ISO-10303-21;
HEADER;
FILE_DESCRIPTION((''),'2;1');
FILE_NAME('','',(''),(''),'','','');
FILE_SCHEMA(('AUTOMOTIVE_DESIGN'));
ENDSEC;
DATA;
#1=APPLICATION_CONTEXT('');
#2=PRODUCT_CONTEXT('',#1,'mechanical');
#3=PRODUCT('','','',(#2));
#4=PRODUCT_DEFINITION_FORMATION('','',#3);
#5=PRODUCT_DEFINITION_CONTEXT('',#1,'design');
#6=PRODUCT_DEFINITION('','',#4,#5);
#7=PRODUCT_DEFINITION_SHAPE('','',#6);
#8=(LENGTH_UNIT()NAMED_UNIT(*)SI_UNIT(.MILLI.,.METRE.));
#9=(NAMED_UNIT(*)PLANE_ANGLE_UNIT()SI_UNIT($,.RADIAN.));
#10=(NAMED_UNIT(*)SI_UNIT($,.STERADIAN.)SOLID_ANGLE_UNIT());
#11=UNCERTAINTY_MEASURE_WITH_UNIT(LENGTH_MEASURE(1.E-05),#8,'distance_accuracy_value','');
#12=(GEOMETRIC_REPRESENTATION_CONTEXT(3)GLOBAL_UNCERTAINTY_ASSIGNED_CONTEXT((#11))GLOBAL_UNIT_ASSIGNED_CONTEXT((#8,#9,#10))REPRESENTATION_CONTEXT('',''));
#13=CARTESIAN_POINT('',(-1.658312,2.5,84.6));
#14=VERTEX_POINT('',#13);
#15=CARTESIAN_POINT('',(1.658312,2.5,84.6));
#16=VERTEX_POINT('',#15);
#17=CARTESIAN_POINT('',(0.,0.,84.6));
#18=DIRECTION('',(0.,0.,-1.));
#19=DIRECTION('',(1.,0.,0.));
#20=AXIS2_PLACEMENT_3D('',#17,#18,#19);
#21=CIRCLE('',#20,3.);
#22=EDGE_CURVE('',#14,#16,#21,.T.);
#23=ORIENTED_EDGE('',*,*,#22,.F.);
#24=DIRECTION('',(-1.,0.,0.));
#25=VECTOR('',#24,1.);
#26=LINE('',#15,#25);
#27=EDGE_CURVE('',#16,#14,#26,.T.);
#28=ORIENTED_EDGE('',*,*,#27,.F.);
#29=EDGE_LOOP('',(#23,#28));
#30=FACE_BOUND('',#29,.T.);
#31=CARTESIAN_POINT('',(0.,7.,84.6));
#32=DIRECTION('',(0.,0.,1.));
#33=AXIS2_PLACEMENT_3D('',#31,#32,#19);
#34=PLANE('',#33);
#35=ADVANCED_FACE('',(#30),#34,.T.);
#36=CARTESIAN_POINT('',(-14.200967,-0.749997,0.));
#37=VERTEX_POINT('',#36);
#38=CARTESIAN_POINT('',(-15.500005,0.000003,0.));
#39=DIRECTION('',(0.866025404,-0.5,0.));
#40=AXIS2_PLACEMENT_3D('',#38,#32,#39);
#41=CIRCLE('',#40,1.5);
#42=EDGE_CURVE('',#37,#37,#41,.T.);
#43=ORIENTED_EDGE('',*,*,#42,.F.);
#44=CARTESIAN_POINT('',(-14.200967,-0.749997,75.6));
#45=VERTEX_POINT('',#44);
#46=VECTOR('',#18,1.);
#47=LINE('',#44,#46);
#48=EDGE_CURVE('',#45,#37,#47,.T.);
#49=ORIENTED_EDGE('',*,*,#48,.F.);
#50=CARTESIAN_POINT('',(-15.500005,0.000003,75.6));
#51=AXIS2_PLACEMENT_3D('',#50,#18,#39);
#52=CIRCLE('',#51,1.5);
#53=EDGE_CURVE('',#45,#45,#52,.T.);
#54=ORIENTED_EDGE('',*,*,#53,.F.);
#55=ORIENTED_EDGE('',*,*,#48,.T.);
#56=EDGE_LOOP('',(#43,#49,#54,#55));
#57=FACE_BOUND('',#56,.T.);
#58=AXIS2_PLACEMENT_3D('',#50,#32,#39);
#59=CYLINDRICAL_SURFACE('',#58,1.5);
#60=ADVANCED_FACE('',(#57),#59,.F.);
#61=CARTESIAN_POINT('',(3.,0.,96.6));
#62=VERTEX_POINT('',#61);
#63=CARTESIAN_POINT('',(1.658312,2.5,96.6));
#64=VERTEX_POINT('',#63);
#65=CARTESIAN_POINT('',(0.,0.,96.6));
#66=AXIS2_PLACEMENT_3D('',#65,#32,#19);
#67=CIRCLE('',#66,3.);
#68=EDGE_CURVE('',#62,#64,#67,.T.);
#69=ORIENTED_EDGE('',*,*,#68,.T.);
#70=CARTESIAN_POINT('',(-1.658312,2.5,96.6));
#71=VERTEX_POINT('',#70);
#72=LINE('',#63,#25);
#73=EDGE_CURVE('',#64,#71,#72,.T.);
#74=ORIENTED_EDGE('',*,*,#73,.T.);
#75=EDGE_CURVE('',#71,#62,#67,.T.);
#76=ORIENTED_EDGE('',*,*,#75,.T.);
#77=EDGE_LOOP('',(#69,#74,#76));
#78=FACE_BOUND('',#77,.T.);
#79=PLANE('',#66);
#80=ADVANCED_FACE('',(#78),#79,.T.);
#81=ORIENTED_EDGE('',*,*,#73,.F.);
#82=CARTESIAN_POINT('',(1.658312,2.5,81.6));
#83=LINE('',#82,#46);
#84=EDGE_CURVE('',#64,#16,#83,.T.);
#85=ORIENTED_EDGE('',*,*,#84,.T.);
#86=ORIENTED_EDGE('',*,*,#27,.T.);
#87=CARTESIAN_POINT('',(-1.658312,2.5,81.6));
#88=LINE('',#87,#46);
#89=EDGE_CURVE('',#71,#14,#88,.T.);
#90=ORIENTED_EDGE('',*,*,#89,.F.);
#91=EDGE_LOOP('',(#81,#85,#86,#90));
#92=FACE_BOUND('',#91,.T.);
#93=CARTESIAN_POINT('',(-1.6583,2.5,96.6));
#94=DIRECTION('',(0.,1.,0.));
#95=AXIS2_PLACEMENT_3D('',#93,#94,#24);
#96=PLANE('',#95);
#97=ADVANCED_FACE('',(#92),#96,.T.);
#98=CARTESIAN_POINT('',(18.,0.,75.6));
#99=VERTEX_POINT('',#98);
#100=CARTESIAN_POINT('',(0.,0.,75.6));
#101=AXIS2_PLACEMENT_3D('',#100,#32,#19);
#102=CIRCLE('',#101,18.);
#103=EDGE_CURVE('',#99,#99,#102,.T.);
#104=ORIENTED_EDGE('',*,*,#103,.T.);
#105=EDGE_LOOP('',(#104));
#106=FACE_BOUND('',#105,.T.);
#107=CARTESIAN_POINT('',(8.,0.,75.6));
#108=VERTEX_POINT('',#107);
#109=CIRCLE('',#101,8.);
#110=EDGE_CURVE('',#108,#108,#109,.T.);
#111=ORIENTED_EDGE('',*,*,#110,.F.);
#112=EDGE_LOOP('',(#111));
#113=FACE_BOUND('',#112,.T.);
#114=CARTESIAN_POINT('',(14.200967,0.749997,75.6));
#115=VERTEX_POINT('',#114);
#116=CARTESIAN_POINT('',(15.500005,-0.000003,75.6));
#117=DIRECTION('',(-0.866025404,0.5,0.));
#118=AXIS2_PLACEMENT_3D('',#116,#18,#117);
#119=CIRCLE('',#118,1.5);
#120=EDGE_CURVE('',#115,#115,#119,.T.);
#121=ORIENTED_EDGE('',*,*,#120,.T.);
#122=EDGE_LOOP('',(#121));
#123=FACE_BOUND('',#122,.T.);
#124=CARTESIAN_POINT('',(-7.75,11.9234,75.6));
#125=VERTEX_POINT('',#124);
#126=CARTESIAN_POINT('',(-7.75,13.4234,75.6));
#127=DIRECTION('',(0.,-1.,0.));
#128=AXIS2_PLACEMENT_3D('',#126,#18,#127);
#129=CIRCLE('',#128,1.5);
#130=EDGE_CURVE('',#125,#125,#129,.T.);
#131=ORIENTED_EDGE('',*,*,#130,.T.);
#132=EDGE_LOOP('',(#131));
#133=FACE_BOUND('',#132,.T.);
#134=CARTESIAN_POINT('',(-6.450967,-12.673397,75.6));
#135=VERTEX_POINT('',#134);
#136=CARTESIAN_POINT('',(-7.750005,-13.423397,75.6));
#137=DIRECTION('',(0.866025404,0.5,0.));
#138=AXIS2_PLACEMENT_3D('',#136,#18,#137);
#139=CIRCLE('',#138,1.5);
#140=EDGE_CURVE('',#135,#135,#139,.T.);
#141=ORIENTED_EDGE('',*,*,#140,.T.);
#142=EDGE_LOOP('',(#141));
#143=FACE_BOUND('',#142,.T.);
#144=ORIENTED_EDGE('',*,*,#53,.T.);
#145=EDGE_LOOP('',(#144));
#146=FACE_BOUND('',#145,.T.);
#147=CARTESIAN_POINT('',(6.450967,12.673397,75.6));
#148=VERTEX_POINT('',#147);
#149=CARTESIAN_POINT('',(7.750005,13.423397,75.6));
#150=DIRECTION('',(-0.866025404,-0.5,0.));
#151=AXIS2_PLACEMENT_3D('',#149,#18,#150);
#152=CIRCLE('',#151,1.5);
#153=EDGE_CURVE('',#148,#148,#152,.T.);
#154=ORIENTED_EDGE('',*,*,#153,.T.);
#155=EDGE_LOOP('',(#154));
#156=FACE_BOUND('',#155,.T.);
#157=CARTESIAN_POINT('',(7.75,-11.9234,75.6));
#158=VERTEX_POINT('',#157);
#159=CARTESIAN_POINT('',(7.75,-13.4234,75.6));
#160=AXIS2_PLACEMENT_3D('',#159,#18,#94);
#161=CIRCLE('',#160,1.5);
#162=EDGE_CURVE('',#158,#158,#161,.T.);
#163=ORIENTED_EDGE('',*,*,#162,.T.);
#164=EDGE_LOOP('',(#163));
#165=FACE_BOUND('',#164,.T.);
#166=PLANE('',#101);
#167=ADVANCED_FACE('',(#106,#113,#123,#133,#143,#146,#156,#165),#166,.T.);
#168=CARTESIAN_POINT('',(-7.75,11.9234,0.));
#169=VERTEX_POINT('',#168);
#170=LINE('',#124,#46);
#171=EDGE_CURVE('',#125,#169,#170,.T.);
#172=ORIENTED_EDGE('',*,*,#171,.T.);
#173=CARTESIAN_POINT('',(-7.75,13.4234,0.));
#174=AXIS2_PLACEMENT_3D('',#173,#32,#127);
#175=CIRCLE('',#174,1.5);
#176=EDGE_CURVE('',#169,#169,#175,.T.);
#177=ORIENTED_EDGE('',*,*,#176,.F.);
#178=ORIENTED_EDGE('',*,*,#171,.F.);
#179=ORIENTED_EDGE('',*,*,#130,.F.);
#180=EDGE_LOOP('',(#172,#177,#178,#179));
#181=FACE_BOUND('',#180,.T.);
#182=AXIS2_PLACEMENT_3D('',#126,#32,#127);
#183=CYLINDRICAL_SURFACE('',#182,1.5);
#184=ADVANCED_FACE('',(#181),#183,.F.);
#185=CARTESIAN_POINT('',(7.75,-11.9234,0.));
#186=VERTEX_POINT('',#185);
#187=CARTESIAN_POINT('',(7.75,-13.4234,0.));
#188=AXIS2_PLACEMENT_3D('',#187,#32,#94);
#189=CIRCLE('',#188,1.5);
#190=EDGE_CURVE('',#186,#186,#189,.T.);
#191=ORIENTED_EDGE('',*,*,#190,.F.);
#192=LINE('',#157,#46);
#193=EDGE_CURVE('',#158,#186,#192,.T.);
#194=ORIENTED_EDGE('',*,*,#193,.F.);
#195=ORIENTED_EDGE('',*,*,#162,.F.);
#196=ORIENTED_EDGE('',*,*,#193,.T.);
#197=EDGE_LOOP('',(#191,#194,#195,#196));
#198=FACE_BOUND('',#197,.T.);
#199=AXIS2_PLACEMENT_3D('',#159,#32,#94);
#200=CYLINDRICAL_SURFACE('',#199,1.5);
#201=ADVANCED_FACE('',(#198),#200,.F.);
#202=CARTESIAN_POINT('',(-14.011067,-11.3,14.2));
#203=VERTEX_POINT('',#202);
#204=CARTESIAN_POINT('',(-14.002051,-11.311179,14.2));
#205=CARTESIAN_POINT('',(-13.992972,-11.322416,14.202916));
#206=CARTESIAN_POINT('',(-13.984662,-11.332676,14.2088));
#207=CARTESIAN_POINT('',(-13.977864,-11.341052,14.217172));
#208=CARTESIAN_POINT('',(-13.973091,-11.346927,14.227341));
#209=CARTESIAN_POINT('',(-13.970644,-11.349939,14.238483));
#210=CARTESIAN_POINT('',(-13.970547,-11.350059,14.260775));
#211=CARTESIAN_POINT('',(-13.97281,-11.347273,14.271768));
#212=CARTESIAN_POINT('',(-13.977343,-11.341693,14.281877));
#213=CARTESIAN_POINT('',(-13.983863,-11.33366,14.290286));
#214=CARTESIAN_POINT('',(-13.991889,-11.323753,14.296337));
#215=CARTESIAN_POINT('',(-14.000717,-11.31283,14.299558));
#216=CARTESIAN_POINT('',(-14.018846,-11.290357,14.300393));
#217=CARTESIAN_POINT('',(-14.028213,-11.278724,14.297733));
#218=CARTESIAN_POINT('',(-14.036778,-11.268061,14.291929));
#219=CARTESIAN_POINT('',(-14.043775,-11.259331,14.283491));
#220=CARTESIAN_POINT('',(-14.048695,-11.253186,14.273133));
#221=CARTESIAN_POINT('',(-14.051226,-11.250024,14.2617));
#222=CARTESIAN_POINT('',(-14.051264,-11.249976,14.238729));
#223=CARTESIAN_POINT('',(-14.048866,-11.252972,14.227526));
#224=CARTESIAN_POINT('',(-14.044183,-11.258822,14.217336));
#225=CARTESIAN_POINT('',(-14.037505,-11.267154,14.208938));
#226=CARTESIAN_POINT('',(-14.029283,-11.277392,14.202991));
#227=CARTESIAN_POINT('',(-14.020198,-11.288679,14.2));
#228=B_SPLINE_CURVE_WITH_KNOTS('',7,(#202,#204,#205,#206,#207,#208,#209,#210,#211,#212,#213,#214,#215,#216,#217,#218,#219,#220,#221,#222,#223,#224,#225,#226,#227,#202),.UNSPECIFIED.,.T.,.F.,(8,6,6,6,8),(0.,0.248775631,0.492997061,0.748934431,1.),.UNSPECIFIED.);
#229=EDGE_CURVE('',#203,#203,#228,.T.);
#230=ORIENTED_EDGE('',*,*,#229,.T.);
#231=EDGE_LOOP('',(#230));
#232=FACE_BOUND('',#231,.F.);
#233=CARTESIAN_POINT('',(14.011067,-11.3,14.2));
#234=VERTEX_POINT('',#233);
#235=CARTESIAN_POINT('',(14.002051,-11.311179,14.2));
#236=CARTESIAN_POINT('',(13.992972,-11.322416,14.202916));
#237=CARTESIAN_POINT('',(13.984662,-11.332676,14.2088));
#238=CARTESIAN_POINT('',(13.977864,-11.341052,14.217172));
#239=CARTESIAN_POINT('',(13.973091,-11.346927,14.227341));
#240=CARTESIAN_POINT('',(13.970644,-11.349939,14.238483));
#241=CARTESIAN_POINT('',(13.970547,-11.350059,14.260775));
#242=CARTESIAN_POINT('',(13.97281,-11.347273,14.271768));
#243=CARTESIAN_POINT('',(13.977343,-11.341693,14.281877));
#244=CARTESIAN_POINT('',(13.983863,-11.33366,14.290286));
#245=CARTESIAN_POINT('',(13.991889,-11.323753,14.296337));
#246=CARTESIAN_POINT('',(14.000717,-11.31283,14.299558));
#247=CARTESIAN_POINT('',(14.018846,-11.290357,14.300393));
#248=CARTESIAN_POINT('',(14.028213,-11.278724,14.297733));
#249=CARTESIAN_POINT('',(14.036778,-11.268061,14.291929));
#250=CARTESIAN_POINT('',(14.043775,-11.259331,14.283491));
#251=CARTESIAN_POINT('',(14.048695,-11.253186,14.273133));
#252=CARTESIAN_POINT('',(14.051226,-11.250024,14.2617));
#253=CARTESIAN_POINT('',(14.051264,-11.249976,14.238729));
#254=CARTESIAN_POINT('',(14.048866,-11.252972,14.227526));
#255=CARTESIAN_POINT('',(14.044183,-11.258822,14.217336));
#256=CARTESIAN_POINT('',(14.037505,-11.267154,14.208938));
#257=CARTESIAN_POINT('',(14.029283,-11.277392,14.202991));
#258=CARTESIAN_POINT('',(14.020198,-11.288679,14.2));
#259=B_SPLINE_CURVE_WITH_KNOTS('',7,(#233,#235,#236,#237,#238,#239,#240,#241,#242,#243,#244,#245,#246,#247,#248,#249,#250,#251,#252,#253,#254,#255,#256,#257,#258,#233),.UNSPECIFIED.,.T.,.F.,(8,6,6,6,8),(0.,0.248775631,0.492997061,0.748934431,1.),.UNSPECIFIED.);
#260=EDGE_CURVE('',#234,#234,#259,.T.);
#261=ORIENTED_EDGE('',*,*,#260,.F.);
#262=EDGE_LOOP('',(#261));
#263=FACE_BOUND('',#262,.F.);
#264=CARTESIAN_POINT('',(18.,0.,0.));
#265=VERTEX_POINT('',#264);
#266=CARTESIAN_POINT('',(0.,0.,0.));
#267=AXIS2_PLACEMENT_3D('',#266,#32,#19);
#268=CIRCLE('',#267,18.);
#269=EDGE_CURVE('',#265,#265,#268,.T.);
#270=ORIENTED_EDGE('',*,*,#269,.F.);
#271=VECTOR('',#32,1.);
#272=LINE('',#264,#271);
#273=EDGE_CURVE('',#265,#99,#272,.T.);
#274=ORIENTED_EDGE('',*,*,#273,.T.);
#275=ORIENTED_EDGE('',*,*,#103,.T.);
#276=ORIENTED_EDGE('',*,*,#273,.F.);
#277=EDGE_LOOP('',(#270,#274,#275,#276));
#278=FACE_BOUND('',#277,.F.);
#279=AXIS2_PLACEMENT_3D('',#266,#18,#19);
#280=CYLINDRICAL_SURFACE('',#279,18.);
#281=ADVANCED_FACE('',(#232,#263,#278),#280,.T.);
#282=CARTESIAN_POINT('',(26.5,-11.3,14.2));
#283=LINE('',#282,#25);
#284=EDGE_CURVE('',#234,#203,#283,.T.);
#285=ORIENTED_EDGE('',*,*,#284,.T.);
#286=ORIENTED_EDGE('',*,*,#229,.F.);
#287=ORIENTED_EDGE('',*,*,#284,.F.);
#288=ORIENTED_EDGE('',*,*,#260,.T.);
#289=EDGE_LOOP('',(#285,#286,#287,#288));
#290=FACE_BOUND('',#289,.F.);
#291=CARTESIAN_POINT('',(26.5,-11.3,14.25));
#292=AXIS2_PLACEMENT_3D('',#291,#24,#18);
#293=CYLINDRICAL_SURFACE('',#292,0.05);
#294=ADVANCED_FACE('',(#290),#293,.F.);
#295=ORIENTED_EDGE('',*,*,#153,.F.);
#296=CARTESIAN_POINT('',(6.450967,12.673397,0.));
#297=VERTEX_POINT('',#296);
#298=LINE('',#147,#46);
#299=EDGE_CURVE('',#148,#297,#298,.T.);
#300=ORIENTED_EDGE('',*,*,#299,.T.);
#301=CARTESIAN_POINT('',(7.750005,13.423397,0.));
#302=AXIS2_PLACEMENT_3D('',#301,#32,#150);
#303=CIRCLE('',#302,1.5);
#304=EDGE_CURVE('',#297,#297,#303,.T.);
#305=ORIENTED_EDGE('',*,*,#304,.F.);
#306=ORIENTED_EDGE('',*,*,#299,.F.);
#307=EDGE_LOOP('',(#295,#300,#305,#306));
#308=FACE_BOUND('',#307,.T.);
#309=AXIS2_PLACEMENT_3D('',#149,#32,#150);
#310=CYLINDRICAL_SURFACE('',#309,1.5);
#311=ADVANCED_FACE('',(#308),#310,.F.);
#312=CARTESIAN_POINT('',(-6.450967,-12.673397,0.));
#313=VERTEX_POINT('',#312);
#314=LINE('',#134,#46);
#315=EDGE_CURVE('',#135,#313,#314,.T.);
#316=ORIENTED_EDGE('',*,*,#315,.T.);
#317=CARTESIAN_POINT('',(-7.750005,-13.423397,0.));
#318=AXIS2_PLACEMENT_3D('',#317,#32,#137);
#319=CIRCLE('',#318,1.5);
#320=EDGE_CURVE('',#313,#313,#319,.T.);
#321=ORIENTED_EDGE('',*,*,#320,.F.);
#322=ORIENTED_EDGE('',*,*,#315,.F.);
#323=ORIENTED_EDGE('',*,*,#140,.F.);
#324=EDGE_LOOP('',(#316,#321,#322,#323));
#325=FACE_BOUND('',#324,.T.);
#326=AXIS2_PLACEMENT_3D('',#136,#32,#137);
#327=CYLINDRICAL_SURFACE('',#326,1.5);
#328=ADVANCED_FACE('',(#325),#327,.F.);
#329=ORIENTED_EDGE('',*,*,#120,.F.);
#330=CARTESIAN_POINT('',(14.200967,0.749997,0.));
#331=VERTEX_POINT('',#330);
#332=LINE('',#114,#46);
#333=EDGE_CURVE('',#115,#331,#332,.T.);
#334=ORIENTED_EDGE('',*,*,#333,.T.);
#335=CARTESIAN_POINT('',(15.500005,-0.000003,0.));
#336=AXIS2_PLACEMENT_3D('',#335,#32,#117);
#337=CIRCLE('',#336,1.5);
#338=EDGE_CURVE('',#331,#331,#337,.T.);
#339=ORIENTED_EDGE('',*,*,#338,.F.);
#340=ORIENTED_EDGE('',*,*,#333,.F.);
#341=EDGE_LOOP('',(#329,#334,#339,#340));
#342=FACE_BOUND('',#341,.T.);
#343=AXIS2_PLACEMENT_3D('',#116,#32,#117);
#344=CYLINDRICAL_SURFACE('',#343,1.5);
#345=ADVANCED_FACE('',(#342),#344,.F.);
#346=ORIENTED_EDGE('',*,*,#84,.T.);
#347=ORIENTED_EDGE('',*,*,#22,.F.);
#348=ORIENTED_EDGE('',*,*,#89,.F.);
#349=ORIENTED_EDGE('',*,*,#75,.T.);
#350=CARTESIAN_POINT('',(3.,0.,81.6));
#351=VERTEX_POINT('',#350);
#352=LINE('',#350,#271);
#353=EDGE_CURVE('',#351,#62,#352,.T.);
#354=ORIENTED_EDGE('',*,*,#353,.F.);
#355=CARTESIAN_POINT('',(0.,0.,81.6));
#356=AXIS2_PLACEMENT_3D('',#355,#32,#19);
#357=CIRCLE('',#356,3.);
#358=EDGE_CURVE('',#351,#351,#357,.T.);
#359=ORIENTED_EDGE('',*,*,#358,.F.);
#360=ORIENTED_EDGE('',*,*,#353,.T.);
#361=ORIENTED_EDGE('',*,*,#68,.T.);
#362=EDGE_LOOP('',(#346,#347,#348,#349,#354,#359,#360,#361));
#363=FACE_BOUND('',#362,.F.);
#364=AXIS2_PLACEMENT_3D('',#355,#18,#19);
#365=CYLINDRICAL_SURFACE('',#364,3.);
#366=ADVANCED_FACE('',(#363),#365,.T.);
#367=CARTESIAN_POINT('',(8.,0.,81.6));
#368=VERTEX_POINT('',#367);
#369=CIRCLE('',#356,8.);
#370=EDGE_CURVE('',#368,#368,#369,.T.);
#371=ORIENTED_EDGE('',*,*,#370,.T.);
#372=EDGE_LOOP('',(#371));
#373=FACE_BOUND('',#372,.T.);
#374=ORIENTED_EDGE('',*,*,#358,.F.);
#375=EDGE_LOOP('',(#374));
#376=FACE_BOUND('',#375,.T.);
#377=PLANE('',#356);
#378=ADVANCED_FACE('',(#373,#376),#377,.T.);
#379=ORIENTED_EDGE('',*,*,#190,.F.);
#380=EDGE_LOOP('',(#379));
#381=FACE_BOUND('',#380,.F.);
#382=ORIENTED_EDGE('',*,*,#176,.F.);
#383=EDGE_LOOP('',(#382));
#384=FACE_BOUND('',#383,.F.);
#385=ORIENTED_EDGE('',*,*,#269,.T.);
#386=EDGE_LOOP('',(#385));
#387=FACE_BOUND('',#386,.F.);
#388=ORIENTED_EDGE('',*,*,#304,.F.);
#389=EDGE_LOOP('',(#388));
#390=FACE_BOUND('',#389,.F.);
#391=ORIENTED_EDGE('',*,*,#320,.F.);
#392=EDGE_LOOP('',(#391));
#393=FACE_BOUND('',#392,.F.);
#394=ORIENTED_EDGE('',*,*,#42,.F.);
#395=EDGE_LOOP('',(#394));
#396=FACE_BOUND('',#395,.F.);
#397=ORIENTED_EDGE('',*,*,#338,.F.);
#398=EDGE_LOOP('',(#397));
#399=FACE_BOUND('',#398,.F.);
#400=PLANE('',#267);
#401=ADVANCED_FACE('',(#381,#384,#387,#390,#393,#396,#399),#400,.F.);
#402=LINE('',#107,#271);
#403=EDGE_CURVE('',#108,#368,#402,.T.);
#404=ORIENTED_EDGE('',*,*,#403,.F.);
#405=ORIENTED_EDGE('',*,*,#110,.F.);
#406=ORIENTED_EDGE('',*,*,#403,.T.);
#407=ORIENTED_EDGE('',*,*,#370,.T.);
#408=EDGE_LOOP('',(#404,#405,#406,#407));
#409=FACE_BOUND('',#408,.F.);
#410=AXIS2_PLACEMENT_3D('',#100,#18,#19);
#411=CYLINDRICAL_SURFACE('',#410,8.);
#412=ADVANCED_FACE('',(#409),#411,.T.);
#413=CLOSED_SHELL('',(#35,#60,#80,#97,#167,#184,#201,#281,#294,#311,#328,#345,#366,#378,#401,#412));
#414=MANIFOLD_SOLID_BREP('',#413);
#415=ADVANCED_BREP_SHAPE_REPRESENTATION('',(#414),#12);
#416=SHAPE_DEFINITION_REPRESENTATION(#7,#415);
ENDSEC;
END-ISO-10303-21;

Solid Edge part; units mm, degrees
sketch "Sketch1" plane through (0, 0, 0) normal (0, 0, 1) x (1, 0, 0)
  circle A0 centre (0, 0) radius 18
  dimension "D1" = 36
extrude "Protrusion1" add sketch "Sketch1" along normal blind 75.6
sketch "Sketch2" plane through (0, 0, 75.6) normal (0, 0, 1) x (1, 0, 0)
  circle A0 centre (0, 0) radius 8
extrude "ExtrudedProtrusion_2" add sketch "Sketch2" along normal blind 6
sketch "Sketch3" plane through (0, 7, 81.6) normal (0, 0, 1) x (1, 0, 0)
  circle A0 centre (0, -7) radius 3
extrude "ExtrudedProtrusion_3" add sketch "Sketch3" along normal blind 15
sketch "Sketch4" plane through (0, 7, 96.6) normal (0, 0, 1) x (1, 0, 0)
  line L0 (-1.6583, -4.5) -> (1.6583, -4.5)
  dimension "D1" = 2.5
extrude "ExtrudedCutout_1" cut sketch "Sketch4" against normal blind 12 material side at (0, 2.55, 96.6)
hole "Hole_1" at (-7.75, 13.4234, 75.6) direction (0, 0, -1) diameter 3 end through all
pattern_circular "Pattern1" count 6 over 360 about axis through (0, 0, 75.6) along (0, 0, -1) of "Hole_1"
hole "Hole_7" at (26.5, -11.3, 14.25) direction (-1, 0, 0) diameter 0.1 depth 140
